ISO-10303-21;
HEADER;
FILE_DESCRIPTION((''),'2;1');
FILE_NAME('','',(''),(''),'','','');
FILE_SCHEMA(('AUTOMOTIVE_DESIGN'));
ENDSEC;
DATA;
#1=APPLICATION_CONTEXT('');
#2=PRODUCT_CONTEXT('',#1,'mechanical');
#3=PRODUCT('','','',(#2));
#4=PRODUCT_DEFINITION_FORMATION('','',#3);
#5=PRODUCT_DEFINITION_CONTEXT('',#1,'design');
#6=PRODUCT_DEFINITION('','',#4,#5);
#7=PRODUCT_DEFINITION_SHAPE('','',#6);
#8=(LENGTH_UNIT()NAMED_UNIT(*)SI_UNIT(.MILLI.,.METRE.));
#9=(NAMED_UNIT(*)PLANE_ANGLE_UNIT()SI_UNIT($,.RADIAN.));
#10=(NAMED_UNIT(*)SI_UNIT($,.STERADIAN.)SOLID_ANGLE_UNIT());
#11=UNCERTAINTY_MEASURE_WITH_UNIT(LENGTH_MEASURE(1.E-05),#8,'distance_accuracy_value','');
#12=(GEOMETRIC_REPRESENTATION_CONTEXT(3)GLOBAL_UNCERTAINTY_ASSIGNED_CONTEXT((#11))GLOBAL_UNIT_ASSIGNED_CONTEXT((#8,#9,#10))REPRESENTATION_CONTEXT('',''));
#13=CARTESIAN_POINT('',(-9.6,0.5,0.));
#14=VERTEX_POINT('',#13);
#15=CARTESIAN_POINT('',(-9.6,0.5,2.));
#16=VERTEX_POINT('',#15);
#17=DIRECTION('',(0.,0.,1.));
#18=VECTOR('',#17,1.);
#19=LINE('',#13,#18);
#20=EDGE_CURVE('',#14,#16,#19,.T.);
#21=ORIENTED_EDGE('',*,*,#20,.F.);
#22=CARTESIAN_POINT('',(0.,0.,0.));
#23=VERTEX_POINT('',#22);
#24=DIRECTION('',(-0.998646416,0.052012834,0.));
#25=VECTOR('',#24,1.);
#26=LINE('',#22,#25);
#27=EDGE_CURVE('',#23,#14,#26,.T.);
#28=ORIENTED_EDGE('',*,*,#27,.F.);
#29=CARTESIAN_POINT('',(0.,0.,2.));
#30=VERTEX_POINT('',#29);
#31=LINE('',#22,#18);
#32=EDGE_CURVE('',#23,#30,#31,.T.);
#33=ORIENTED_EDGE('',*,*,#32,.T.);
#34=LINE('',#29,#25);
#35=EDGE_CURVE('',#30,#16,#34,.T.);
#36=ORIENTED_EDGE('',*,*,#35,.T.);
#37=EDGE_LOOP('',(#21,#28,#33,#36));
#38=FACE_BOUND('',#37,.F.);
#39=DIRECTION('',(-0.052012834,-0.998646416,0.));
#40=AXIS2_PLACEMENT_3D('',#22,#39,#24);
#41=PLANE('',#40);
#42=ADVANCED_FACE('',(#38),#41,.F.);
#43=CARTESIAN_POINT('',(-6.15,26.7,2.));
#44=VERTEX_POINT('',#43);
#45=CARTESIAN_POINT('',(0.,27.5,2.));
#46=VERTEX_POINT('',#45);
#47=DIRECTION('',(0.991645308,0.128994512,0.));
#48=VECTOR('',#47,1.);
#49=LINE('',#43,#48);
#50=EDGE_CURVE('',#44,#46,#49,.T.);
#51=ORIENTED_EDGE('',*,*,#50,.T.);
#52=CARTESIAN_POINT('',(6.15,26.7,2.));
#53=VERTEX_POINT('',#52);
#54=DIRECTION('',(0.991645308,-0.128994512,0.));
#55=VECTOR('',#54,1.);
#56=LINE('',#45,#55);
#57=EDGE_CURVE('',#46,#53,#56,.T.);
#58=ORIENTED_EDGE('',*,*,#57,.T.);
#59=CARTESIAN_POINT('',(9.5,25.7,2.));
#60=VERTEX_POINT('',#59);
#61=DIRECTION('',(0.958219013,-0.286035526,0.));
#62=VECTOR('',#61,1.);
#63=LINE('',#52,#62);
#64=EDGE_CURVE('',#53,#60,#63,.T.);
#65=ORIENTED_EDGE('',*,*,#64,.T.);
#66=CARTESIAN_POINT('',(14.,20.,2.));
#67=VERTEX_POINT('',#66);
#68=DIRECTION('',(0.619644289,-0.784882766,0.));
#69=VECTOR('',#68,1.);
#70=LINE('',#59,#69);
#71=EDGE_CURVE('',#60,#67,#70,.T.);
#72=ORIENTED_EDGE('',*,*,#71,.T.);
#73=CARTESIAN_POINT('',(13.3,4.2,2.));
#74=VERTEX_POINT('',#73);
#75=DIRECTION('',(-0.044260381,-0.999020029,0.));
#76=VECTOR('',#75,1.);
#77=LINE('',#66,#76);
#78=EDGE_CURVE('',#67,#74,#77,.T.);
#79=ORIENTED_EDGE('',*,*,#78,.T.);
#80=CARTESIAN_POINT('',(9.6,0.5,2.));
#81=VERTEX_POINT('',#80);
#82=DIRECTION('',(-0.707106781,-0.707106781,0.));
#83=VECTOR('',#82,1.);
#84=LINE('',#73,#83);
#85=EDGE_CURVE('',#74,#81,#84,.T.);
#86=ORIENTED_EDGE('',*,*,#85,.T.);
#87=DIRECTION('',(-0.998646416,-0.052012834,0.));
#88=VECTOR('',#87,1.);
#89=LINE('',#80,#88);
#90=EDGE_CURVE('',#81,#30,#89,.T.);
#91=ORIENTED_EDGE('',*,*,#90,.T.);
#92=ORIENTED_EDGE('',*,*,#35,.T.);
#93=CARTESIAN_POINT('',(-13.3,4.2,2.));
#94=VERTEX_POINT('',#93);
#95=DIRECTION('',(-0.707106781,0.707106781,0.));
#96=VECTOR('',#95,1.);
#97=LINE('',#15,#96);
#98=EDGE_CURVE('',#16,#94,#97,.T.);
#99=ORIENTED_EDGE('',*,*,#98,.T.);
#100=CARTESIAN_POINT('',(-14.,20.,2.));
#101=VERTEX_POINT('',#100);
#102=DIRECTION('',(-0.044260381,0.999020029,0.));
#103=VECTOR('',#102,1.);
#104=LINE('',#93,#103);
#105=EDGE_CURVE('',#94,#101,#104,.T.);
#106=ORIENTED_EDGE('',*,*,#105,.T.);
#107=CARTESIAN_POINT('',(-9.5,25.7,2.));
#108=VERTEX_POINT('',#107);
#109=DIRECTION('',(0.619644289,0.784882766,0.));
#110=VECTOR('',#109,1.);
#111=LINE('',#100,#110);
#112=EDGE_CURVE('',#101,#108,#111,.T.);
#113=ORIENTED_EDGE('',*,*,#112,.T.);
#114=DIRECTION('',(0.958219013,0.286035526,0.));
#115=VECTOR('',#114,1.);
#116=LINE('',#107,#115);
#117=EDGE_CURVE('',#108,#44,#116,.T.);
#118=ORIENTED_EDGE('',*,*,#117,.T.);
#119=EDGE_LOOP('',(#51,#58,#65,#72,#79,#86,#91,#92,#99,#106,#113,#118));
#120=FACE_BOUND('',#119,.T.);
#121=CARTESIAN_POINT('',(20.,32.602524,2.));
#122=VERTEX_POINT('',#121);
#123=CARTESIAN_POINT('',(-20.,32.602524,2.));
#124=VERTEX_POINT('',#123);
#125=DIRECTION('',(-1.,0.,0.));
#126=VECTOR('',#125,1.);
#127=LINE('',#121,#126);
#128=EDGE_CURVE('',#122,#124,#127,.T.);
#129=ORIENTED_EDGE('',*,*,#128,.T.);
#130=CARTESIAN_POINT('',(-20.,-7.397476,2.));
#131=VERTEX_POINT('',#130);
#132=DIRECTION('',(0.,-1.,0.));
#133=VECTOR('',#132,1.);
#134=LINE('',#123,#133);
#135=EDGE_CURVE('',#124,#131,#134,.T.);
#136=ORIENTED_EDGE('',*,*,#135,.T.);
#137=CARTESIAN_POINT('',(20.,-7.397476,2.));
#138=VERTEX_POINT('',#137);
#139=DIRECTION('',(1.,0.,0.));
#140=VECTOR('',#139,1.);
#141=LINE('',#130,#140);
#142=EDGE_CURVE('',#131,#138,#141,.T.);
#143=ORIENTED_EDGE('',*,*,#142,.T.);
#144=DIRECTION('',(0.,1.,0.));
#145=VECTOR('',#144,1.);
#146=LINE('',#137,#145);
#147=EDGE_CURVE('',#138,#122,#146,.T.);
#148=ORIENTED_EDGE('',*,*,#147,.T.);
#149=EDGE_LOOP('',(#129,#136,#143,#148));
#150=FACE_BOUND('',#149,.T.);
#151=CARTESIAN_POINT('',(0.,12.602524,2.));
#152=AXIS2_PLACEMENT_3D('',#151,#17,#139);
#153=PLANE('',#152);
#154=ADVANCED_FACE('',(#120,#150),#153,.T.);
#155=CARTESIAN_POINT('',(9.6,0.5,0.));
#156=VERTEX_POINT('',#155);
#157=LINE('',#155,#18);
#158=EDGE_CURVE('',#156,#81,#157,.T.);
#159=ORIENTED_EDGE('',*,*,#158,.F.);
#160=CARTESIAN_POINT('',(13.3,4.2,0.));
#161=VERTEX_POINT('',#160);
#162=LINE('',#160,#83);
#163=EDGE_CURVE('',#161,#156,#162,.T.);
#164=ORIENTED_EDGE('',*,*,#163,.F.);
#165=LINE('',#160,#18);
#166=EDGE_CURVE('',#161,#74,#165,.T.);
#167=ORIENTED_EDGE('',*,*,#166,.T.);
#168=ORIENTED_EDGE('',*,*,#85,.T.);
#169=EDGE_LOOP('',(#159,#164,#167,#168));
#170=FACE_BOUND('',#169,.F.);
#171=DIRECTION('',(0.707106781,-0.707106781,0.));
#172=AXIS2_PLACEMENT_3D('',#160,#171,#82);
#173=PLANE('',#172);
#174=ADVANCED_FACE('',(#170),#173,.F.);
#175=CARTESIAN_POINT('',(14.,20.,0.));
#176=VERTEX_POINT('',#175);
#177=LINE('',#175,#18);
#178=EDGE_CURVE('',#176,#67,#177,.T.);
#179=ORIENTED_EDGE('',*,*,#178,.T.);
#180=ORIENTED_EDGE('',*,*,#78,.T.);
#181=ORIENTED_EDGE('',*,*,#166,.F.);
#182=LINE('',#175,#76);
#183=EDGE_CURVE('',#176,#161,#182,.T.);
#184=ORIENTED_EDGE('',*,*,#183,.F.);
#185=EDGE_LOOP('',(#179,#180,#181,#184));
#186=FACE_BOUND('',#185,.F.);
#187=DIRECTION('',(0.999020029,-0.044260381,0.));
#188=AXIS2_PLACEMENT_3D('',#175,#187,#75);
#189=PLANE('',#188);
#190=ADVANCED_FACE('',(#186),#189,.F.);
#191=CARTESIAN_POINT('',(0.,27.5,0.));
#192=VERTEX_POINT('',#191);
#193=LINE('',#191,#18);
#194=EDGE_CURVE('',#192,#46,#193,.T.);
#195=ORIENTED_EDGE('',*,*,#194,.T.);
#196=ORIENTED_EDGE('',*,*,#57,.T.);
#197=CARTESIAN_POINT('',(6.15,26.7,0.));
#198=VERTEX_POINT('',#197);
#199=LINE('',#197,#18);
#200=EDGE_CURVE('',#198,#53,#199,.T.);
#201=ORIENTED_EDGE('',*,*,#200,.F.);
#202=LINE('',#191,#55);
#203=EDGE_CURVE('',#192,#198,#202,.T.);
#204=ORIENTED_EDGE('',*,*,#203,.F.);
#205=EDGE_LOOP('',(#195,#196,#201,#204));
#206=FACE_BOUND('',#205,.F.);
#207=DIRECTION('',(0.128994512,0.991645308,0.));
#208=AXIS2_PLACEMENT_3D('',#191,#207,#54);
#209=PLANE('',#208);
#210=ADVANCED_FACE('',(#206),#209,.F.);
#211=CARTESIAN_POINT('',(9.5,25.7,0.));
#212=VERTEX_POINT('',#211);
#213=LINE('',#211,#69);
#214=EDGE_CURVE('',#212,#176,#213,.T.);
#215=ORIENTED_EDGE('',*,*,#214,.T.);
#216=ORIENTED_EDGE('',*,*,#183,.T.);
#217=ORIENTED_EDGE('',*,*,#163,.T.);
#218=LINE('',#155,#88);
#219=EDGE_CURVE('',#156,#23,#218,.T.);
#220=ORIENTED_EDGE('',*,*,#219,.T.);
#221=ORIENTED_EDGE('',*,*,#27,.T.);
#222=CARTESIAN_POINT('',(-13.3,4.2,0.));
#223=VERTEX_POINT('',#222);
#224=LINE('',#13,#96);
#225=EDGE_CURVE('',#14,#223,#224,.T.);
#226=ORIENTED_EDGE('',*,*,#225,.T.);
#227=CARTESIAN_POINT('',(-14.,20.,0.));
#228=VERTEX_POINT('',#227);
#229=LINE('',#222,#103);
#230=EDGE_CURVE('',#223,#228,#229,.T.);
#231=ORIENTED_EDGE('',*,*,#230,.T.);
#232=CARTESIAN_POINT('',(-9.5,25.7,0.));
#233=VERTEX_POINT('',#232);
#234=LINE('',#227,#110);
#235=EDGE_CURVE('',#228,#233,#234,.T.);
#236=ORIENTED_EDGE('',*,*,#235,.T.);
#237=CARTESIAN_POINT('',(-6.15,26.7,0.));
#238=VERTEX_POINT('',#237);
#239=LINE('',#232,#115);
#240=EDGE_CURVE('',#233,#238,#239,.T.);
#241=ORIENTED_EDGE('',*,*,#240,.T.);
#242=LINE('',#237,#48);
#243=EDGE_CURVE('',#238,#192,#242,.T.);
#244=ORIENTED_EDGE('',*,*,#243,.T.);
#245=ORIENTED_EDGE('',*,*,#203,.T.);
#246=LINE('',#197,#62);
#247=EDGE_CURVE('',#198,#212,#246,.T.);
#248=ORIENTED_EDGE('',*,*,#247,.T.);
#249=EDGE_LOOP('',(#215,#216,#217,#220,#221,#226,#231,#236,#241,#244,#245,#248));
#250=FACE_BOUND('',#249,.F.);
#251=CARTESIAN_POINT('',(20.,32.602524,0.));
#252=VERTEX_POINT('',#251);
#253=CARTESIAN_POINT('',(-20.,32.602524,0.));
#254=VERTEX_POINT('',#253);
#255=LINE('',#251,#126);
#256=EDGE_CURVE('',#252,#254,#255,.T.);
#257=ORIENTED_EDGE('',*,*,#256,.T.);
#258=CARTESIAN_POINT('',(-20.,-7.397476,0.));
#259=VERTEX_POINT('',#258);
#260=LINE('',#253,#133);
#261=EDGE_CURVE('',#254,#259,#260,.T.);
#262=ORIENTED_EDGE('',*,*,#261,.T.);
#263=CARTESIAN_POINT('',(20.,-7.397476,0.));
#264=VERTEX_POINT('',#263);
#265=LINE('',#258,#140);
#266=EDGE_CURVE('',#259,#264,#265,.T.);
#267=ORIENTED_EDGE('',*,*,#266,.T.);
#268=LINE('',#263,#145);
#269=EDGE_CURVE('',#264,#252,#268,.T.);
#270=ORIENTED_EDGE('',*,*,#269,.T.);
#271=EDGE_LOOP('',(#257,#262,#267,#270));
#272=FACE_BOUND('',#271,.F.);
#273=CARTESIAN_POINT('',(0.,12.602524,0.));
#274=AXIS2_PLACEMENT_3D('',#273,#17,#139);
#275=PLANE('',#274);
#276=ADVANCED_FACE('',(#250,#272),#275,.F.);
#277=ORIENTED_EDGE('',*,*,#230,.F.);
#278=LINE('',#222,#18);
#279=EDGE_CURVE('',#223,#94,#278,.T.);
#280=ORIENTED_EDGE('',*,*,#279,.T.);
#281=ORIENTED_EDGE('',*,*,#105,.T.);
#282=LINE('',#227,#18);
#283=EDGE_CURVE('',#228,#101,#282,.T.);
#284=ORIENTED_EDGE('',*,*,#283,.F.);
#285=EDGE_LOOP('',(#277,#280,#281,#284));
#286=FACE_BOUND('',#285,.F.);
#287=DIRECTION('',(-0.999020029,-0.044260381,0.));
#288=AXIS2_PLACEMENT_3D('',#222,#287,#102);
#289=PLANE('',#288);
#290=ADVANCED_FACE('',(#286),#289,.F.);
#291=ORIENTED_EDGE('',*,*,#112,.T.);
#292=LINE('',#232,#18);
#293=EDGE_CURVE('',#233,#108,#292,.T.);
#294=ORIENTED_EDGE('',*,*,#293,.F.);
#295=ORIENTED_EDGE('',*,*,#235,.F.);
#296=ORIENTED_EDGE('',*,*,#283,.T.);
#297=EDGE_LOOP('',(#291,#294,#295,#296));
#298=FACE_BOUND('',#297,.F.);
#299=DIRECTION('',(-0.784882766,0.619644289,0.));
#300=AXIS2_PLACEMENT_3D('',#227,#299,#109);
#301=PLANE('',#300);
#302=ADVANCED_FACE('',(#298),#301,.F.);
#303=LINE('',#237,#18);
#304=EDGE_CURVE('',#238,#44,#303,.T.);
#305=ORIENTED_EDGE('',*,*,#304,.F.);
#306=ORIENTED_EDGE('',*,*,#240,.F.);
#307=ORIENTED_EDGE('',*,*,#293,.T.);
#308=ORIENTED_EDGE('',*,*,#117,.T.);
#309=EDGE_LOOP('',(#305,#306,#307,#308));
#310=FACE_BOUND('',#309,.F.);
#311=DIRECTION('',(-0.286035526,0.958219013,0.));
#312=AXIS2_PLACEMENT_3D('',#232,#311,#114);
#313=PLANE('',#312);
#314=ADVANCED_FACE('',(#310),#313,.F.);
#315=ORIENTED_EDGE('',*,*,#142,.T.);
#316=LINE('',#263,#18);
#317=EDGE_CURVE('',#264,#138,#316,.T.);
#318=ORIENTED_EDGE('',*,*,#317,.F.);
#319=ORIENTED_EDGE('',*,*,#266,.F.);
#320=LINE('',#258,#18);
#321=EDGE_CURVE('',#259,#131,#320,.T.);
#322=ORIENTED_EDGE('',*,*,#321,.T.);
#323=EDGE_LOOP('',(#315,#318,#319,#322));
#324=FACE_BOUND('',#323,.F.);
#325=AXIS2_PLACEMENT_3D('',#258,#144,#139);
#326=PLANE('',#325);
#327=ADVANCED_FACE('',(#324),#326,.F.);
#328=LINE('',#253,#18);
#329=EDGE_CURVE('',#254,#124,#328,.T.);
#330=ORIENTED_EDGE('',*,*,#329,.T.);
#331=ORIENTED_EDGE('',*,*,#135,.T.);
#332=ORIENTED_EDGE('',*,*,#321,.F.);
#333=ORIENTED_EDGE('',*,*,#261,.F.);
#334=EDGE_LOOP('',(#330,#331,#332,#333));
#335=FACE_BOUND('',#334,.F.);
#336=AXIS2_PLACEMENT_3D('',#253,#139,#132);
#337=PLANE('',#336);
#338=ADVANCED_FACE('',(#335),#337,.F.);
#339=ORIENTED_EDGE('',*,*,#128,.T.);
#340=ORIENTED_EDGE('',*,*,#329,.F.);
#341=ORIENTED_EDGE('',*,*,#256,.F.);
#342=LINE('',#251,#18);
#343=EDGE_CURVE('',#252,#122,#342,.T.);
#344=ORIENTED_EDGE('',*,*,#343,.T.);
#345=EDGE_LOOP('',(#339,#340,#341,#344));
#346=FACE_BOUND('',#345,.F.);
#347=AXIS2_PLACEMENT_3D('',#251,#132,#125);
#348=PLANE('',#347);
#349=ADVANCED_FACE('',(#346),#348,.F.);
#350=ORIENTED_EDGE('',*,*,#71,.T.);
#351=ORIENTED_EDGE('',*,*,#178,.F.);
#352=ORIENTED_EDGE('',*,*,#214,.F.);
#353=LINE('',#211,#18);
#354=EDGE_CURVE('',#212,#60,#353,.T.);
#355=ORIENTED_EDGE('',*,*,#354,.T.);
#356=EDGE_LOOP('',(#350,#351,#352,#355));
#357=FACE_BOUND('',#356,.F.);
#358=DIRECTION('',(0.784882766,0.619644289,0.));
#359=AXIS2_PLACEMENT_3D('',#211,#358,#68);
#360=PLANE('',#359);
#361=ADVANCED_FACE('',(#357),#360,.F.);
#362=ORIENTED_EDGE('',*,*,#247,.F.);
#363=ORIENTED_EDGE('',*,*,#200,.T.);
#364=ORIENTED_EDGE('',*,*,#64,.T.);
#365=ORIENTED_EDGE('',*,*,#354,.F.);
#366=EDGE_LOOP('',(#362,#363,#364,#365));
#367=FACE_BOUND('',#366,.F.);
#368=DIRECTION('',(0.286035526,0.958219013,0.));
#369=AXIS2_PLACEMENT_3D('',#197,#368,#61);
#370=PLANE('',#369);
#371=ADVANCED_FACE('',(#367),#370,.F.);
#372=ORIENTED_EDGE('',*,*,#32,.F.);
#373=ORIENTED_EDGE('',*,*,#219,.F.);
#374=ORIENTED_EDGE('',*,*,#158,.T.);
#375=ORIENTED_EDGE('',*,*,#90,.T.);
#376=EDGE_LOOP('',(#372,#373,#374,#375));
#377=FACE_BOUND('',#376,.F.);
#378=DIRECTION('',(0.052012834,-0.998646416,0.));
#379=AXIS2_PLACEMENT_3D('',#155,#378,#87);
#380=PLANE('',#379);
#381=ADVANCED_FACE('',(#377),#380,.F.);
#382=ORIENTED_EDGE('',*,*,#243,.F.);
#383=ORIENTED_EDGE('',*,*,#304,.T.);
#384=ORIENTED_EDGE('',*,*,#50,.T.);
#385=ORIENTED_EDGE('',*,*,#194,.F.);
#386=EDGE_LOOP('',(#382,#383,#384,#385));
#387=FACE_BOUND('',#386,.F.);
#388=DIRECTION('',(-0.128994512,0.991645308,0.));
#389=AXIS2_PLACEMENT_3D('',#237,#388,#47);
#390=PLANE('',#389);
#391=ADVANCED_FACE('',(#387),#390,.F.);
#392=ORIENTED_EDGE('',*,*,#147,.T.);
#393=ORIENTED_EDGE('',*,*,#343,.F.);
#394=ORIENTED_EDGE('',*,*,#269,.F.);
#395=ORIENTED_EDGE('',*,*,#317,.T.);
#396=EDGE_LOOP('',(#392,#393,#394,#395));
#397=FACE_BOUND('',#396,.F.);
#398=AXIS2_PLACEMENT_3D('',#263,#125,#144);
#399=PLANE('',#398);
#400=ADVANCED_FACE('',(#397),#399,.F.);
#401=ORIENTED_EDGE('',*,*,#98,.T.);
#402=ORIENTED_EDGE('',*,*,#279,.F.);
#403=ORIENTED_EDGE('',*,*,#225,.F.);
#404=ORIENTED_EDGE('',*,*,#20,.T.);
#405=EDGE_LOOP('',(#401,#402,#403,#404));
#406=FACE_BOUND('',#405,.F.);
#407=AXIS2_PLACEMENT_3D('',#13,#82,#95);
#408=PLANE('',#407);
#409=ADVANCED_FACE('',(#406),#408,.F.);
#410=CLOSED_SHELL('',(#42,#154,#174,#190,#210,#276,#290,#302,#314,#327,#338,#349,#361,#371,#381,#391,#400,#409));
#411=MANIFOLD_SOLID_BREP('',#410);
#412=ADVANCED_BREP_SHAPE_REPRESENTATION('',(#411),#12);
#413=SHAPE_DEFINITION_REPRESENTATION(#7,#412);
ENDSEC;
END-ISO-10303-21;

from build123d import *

# Parameters (mm, degrees)
F1_DEPTH = 2


with BuildPart() as f1:
    # F0 (on Top) → F1 (new body)
    with BuildSketch(Plane.XY):
        Polygon((-20, -7.397476), (0, -7.397476), (20, -7.397476), (20, 32.602524), (0, 32.602524), (-20, 32.602524), align=None)
        Polygon((6.15, 26.7), (9.5, 25.7), (14, 20), (13.3, 4.2), (9.6, 0.5), (0, 0), (-9.6, 0.5), (-13.3, 4.2), (-14, 20), (-9.5, 25.7), (-6.15, 26.7), (0, 27.5), align=None, mode=Mode.SUBTRACT)
    extrude(amount=F1_DEPTH)


solid = f1.part
